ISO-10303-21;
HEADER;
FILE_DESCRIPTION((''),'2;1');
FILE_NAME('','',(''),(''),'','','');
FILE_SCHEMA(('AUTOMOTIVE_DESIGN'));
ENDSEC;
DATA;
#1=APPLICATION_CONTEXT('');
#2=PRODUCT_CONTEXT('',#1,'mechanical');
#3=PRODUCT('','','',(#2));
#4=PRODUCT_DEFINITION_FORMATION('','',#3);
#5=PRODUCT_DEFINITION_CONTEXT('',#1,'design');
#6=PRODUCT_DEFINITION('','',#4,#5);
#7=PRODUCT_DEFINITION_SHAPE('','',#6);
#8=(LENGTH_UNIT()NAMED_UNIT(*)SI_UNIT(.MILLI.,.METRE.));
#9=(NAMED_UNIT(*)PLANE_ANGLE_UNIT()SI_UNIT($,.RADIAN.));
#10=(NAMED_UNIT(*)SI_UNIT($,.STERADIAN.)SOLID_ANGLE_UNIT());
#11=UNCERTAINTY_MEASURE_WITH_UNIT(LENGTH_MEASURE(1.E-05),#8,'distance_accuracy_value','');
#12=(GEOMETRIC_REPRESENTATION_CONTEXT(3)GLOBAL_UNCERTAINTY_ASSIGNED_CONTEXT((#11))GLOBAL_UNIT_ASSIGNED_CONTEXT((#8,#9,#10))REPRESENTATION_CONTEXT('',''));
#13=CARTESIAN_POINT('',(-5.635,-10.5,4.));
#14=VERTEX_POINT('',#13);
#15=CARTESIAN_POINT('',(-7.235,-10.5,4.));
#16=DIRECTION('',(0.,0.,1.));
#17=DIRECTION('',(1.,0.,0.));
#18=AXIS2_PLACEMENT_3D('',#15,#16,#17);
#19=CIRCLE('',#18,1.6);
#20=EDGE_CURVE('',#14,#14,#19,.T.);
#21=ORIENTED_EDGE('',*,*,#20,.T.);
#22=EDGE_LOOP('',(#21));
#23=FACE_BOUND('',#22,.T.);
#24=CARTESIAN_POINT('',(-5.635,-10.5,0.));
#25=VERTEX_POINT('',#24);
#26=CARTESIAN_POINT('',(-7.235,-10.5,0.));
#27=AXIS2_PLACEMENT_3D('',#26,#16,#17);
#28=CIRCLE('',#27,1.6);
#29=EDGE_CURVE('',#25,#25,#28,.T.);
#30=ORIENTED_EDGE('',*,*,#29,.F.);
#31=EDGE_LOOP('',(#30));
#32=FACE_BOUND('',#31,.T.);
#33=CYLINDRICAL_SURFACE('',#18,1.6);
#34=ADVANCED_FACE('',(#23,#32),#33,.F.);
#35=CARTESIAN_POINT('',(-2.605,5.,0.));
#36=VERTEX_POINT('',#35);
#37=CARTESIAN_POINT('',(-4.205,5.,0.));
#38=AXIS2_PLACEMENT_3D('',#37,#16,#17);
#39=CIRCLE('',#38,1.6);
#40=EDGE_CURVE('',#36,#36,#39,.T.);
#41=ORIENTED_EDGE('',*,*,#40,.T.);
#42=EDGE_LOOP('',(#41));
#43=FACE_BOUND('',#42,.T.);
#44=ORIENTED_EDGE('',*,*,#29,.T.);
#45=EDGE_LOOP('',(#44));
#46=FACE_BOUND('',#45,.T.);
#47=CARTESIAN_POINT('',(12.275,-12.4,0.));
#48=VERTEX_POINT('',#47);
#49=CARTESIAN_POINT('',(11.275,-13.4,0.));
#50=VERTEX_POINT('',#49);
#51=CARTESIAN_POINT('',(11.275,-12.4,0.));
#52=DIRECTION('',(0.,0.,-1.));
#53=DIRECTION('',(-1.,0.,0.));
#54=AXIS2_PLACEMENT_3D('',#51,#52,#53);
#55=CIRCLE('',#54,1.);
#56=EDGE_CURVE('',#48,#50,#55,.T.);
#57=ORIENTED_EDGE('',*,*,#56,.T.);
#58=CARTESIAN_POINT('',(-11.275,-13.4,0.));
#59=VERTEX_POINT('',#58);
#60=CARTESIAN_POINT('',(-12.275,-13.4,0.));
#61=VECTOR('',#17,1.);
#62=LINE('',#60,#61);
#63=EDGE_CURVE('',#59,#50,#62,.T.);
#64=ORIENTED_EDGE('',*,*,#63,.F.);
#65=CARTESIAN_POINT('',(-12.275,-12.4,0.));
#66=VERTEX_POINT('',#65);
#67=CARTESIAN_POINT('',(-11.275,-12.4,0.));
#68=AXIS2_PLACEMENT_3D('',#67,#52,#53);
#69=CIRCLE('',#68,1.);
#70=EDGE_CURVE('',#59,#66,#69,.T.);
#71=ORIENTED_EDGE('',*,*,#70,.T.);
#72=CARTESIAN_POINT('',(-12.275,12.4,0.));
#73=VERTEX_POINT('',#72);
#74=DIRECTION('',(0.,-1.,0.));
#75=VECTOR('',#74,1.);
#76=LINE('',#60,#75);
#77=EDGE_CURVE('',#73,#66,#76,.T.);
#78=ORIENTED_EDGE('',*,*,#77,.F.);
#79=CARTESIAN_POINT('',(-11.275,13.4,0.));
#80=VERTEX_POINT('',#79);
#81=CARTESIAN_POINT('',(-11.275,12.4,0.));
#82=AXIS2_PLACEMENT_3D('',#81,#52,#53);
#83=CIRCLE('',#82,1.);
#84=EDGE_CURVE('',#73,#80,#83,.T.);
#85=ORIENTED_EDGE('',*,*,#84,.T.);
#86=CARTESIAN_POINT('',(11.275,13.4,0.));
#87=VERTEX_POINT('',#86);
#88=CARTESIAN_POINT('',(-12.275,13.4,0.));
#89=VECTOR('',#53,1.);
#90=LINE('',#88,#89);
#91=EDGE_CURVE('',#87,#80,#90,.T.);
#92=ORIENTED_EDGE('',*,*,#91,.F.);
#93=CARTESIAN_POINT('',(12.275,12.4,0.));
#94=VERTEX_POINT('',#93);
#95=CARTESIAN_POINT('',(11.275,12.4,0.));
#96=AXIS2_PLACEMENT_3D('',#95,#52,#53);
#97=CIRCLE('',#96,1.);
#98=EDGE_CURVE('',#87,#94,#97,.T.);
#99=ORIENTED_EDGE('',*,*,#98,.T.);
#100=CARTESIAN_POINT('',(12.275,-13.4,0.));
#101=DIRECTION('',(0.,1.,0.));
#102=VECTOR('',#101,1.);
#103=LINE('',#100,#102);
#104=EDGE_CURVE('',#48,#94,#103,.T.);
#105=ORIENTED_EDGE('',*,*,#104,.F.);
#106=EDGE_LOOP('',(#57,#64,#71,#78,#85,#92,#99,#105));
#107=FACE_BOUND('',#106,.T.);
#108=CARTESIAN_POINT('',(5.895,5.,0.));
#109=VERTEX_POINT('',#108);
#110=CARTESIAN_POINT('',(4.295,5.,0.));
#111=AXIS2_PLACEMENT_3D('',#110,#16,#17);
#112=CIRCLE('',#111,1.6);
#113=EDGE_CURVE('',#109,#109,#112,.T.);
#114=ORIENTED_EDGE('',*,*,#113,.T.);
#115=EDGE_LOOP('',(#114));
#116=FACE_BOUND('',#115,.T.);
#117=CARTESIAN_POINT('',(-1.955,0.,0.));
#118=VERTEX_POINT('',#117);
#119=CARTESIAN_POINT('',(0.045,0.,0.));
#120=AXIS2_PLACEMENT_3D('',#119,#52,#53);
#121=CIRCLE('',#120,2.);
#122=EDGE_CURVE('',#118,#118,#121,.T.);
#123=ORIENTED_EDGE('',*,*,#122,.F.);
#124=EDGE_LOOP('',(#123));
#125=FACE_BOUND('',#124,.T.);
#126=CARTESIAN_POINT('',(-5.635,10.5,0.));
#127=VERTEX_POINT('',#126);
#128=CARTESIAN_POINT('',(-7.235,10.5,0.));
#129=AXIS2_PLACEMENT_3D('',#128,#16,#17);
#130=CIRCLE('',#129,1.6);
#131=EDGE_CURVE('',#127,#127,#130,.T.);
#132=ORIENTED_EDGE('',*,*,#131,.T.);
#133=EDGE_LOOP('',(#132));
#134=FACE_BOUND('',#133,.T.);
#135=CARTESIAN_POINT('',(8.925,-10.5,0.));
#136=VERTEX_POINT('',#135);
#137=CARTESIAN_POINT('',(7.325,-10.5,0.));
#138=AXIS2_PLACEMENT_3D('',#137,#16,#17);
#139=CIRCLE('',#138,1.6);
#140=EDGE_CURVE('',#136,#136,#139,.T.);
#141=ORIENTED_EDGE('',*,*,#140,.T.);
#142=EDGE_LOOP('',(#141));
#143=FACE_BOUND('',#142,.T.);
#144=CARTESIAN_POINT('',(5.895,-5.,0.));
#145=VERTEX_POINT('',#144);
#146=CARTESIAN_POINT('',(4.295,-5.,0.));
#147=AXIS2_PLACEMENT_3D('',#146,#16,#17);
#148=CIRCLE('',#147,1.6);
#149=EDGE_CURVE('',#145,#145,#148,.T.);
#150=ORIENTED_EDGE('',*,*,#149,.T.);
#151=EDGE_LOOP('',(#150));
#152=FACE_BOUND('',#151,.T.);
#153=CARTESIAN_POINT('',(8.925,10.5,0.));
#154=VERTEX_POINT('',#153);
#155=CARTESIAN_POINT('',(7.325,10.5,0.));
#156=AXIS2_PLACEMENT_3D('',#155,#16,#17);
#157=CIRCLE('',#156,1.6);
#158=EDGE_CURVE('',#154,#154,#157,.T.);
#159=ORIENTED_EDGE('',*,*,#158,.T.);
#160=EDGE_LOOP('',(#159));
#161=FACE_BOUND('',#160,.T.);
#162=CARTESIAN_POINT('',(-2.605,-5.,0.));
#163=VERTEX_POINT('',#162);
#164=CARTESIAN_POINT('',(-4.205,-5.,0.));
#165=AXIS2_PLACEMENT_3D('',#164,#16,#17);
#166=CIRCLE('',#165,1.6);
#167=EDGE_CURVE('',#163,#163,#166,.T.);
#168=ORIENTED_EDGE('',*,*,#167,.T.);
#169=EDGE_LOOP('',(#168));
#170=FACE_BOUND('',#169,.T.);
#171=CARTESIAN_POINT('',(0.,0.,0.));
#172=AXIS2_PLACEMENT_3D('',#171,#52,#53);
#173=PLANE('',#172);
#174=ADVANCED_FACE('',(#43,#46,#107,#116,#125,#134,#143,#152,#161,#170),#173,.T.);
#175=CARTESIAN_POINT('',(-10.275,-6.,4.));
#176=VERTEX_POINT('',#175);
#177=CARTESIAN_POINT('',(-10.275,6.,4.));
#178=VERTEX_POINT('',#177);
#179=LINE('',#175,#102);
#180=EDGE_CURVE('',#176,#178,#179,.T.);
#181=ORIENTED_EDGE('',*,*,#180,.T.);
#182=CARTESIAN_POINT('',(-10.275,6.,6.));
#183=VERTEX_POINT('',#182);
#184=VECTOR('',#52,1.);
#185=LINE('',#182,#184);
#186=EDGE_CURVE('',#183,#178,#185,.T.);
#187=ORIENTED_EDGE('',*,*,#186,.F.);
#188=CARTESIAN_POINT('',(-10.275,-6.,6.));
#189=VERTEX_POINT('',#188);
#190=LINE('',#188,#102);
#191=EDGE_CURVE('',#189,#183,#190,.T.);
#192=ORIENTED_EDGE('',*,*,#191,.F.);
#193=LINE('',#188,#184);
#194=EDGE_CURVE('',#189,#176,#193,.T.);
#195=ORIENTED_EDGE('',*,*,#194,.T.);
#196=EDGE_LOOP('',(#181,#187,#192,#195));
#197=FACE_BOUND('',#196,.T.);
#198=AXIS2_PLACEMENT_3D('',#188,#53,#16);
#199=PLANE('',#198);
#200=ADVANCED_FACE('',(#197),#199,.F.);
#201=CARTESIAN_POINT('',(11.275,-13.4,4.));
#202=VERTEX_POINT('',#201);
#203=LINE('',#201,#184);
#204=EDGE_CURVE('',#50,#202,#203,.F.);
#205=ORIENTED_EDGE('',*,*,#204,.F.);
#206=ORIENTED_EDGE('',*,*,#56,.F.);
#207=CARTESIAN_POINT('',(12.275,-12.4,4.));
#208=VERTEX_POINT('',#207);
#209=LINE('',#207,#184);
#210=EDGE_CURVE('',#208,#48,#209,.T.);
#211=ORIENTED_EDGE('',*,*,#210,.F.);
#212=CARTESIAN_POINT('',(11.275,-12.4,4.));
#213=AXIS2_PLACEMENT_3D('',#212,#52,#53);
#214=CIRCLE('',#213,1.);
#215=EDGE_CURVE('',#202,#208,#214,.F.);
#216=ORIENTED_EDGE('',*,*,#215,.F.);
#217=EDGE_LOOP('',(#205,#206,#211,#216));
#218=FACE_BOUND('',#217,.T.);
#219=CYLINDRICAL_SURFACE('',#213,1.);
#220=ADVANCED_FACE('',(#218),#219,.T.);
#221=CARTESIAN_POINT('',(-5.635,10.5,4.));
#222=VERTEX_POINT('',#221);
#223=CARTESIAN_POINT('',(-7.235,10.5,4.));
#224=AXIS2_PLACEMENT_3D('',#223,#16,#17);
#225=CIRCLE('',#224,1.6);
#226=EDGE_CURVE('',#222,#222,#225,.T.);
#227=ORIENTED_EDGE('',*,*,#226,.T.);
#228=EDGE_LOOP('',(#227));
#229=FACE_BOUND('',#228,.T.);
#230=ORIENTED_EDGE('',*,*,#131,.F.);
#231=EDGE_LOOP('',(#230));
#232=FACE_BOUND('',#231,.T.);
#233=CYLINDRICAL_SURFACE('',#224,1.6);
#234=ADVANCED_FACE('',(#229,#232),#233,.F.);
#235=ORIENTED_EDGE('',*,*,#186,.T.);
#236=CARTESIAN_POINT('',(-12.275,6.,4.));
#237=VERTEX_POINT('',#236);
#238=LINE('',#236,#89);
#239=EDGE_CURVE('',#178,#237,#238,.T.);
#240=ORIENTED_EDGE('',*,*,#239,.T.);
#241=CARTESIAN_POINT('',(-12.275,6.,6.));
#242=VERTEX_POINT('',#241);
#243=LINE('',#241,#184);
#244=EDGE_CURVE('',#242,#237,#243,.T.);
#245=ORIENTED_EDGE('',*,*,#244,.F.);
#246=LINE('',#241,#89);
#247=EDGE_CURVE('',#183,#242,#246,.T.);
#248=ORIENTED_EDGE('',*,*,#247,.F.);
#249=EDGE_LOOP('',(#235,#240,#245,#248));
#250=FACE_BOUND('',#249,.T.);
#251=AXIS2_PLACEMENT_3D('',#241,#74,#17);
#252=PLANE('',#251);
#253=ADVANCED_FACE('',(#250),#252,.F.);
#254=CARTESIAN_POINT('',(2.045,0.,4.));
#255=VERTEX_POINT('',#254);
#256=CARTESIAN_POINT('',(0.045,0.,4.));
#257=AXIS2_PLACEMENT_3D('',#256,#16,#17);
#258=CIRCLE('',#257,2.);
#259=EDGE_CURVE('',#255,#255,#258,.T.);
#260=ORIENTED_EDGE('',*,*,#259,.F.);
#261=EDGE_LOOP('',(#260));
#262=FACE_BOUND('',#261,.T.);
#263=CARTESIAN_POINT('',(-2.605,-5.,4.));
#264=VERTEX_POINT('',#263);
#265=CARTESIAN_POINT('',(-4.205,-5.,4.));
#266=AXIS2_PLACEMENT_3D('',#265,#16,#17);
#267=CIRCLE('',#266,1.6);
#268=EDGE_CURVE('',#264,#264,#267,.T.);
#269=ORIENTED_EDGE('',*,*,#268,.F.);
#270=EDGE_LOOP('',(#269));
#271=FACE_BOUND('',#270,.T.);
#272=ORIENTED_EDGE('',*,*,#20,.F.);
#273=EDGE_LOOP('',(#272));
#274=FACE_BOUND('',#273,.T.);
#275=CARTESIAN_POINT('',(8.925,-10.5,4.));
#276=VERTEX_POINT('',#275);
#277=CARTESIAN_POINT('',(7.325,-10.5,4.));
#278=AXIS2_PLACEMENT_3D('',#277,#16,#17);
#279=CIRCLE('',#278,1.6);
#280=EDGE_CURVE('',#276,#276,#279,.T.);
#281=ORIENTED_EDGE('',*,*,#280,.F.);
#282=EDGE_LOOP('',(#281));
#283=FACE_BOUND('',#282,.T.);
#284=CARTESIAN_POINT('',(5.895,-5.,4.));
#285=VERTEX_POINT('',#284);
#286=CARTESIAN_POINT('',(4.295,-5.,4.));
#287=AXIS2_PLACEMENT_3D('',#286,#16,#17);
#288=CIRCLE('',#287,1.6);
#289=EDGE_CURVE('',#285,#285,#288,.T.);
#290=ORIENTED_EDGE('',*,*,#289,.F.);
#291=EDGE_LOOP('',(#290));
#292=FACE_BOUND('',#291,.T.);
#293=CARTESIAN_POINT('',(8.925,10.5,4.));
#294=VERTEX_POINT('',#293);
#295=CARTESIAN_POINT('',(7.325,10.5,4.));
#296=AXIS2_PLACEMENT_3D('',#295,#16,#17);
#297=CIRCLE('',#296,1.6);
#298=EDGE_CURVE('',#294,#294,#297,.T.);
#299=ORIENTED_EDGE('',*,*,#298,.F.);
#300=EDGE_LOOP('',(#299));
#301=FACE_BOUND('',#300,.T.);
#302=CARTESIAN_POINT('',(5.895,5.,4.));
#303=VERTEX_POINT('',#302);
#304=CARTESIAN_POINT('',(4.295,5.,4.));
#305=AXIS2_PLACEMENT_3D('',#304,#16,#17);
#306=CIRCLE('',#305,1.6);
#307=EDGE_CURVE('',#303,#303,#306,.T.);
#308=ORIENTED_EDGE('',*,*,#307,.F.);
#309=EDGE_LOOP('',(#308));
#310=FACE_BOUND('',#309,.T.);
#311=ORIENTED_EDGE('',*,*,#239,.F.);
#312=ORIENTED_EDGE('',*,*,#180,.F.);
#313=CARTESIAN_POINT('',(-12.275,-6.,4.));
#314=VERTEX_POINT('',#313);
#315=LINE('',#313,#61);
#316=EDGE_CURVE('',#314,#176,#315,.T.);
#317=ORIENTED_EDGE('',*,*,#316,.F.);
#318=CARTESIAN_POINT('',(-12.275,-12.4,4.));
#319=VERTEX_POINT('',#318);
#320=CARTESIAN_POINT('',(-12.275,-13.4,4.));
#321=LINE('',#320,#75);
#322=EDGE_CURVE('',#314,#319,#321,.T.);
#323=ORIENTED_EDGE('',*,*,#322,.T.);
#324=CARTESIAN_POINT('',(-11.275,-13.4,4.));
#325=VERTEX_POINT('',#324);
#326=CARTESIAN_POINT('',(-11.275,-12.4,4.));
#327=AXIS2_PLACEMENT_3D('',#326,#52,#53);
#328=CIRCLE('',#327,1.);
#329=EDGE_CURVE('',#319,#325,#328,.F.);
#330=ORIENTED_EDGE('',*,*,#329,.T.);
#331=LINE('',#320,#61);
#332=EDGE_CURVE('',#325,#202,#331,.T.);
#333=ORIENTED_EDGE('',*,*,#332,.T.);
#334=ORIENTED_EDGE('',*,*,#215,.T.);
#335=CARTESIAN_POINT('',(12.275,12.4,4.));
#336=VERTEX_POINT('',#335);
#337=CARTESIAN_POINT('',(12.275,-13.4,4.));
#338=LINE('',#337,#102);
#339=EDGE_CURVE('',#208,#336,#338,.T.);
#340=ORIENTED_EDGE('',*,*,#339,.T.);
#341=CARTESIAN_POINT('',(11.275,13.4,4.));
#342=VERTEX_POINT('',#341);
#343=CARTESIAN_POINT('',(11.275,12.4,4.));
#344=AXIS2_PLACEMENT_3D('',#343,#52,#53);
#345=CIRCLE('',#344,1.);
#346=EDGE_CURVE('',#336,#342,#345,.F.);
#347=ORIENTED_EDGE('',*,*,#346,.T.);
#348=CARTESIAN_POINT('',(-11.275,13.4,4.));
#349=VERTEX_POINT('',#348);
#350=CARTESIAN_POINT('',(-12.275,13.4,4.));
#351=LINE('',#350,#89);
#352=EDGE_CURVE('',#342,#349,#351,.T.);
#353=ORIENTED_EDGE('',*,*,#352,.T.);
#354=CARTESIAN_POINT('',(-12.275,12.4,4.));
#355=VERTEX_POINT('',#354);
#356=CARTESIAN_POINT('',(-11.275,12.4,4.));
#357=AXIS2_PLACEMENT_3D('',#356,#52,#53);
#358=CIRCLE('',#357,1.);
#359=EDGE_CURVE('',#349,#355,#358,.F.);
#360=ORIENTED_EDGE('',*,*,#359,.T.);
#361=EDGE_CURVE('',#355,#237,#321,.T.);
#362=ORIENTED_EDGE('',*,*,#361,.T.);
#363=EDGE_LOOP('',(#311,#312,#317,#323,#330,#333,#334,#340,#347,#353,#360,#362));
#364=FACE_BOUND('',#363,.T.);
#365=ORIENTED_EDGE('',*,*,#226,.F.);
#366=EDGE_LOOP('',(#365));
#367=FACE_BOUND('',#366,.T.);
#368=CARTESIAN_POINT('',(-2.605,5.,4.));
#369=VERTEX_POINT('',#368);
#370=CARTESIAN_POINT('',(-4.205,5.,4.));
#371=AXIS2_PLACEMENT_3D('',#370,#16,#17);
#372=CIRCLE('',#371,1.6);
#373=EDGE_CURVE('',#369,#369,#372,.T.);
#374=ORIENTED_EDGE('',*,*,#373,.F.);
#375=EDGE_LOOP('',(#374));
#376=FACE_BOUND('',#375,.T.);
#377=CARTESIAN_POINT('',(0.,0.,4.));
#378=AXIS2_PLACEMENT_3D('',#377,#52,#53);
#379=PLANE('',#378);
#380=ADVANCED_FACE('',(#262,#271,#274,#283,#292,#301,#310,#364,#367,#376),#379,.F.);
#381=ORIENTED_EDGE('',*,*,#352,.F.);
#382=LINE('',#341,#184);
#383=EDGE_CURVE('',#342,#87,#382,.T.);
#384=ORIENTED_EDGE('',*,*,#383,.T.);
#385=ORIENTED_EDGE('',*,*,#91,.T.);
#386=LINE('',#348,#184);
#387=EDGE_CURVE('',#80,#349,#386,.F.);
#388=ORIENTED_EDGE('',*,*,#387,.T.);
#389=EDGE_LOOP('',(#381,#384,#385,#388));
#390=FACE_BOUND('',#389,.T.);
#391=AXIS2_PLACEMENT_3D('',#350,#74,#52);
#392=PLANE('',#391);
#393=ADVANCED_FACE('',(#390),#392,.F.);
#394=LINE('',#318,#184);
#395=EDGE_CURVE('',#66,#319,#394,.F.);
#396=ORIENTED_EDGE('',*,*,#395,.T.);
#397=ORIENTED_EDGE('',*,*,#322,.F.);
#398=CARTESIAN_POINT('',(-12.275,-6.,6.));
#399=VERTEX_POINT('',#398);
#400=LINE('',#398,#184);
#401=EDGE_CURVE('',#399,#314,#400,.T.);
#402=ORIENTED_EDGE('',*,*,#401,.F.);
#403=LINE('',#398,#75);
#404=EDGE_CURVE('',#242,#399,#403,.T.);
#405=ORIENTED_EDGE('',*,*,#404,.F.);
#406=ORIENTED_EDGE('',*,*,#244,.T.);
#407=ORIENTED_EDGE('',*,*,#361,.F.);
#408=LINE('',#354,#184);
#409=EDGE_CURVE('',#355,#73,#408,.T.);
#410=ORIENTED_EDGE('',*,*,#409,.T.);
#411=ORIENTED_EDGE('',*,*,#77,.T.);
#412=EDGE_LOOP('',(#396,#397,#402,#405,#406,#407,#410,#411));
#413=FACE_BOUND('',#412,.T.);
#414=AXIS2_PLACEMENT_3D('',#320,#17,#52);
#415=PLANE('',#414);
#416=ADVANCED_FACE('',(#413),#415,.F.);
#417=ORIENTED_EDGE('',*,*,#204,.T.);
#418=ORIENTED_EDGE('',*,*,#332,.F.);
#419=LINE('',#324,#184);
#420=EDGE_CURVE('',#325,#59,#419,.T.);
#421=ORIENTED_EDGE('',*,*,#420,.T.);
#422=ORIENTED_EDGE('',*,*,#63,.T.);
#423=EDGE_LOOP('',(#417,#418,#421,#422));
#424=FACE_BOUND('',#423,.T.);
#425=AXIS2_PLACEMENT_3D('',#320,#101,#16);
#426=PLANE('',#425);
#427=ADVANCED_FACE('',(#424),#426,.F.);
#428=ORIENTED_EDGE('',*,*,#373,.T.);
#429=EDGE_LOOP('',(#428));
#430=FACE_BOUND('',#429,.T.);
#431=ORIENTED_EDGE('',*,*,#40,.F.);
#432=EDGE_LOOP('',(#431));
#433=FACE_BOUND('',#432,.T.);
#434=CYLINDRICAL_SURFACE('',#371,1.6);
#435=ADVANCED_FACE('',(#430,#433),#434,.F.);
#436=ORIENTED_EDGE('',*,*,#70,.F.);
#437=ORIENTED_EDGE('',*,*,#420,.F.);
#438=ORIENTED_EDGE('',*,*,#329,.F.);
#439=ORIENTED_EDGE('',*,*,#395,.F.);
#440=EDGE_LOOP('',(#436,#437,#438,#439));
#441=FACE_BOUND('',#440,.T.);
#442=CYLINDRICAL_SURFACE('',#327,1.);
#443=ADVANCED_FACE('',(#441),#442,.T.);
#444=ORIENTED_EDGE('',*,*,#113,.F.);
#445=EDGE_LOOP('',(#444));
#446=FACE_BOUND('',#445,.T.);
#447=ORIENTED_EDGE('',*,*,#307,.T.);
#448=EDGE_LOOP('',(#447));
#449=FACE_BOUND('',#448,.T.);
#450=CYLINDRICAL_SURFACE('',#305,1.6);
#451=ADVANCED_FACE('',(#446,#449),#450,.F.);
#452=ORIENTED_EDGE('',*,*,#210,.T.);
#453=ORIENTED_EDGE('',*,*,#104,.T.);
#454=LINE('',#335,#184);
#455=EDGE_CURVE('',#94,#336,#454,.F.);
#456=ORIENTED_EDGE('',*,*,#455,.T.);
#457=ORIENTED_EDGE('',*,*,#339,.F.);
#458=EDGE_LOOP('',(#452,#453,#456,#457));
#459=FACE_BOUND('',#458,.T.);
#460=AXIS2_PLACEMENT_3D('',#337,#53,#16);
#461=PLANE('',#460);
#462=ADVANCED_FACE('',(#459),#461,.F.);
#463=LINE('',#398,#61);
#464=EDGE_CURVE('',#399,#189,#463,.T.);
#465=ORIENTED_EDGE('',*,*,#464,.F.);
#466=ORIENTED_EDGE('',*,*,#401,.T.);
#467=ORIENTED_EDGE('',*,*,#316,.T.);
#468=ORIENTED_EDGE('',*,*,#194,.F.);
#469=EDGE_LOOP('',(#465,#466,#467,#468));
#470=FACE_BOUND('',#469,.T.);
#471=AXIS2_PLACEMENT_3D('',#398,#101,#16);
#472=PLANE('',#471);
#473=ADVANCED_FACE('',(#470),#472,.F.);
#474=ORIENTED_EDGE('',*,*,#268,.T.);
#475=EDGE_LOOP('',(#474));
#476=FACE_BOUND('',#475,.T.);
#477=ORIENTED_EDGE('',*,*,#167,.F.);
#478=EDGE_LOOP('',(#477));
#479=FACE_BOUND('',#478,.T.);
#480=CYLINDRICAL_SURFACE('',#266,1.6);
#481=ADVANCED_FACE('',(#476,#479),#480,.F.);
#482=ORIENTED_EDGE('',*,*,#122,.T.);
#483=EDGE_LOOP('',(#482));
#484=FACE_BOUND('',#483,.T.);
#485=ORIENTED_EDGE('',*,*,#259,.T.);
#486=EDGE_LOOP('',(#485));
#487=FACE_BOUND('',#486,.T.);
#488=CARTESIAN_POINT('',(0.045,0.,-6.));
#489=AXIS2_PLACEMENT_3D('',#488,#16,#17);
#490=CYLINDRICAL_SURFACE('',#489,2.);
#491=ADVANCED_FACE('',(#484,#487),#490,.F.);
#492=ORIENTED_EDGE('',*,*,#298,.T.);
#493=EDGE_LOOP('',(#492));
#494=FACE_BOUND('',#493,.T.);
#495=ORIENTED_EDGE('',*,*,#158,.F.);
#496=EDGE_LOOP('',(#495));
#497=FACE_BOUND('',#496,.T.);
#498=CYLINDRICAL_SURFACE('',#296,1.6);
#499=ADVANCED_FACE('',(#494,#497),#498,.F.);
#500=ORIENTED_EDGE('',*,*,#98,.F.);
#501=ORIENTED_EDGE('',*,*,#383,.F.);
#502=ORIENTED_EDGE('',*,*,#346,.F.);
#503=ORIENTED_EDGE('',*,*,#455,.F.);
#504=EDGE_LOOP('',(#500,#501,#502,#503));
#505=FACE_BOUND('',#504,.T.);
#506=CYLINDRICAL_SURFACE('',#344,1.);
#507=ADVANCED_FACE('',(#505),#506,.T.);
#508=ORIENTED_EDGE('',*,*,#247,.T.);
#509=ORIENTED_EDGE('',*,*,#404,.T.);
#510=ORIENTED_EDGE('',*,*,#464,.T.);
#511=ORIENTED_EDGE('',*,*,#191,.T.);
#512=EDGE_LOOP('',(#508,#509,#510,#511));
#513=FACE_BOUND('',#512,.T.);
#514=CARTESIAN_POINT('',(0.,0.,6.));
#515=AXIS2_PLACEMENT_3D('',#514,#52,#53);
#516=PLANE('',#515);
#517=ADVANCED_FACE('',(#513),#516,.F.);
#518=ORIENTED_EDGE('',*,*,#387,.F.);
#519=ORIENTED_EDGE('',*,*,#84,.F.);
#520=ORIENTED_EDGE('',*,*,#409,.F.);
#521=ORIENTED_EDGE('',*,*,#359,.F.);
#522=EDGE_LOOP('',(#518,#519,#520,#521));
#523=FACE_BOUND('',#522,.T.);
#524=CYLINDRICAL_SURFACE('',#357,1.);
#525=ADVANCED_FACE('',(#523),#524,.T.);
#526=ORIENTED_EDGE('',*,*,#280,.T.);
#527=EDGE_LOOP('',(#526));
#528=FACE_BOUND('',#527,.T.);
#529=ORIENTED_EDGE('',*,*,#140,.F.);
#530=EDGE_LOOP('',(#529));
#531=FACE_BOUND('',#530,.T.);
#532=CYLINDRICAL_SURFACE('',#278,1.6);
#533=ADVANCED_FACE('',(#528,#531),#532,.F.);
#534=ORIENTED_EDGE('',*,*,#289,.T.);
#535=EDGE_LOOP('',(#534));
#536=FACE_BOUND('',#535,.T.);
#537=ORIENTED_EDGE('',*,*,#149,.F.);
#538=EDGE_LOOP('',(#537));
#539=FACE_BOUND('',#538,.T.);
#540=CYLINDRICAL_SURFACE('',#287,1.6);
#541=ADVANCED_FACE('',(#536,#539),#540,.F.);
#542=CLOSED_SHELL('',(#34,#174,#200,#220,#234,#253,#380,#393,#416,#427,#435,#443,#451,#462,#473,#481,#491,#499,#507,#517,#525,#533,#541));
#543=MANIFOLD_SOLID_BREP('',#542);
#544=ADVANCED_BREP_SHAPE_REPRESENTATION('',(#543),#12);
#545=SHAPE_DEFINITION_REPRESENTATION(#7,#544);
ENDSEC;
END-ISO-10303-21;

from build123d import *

# Parameters (mm, degrees)
SCHIZZO1_W                   = 24.55
SCHIZZO1_H                   = 26.8
ESTRUSIONE_ESTRUSIONE1_DEPTH = 4
FORO_PER_VITE_M3_1_D         = 3.2
FORO_PER_VITE_M3_2_D         = 3.2
SCHIZZO5_R                   = 2
TAGLIO_ESTRUSIONE1_DEPTH     = 10
SCHIZZO6_W                   = 2
SCHIZZO6_H                   = 12
ESTRUSIONE_ESTRUSIONE2_DEPTH = 2
RACCORDO1_R                  = 1


with BuildPart() as part:
    # Schizzo1 → Estrusione-Estrusione1 (new body)
    with BuildSketch(Plane.XY):
        Rectangle(SCHIZZO1_W, SCHIZZO1_H)
    extrude(amount=ESTRUSIONE_ESTRUSIONE1_DEPTH)

    # Foro per Vite M3-1 (through all)
    with Locations(Plane.XY.offset(4)):
        with Locations((-4.205, 5), (4.295, 5), (4.295, -5), (-4.205, -5)):
            Hole(FORO_PER_VITE_M3_1_D / 2)

    # Foro per Vite M3-2 (through all)
    with Locations(Plane(origin=(-7.235, 10.5, 4), x_dir=(1, 0, 0), z_dir=(0, 0, 1))):
        with Locations((0, 0), (14.56, 0), (0, -21), (14.56, -21)):
            Hole(FORO_PER_VITE_M3_2_D / 2)

    # Schizzo5 → Taglio-Estrusione1 (cut)
    with BuildSketch(Plane.XY.offset(4)):
        with Locations((0.045, 0)):
            Circle(SCHIZZO5_R)
    extrude(amount=-TAGLIO_ESTRUSIONE1_DEPTH, mode=Mode.SUBTRACT)

    # Schizzo6 → Estrusione-Estrusione2 (add)
    with BuildSketch(Plane.XY.offset(4)):
        with Locations((-11.275, 0)):
            Rectangle(SCHIZZO6_W, SCHIZZO6_H)
    extrude(amount=ESTRUSIONE_ESTRUSIONE2_DEPTH)

    # Raccordo1
    raccordo1_edges = [part.edges().sort_by_distance(p)[0] for p in [
        (12.275, -13.4, 2),
        (-12.275, -13.4, 2),
        (-12.275, 13.4, 2),
        (12.275, 13.4, 2),
    ]]
    fillet(raccordo1_edges, radius=RACCORDO1_R)


solid = part.part
